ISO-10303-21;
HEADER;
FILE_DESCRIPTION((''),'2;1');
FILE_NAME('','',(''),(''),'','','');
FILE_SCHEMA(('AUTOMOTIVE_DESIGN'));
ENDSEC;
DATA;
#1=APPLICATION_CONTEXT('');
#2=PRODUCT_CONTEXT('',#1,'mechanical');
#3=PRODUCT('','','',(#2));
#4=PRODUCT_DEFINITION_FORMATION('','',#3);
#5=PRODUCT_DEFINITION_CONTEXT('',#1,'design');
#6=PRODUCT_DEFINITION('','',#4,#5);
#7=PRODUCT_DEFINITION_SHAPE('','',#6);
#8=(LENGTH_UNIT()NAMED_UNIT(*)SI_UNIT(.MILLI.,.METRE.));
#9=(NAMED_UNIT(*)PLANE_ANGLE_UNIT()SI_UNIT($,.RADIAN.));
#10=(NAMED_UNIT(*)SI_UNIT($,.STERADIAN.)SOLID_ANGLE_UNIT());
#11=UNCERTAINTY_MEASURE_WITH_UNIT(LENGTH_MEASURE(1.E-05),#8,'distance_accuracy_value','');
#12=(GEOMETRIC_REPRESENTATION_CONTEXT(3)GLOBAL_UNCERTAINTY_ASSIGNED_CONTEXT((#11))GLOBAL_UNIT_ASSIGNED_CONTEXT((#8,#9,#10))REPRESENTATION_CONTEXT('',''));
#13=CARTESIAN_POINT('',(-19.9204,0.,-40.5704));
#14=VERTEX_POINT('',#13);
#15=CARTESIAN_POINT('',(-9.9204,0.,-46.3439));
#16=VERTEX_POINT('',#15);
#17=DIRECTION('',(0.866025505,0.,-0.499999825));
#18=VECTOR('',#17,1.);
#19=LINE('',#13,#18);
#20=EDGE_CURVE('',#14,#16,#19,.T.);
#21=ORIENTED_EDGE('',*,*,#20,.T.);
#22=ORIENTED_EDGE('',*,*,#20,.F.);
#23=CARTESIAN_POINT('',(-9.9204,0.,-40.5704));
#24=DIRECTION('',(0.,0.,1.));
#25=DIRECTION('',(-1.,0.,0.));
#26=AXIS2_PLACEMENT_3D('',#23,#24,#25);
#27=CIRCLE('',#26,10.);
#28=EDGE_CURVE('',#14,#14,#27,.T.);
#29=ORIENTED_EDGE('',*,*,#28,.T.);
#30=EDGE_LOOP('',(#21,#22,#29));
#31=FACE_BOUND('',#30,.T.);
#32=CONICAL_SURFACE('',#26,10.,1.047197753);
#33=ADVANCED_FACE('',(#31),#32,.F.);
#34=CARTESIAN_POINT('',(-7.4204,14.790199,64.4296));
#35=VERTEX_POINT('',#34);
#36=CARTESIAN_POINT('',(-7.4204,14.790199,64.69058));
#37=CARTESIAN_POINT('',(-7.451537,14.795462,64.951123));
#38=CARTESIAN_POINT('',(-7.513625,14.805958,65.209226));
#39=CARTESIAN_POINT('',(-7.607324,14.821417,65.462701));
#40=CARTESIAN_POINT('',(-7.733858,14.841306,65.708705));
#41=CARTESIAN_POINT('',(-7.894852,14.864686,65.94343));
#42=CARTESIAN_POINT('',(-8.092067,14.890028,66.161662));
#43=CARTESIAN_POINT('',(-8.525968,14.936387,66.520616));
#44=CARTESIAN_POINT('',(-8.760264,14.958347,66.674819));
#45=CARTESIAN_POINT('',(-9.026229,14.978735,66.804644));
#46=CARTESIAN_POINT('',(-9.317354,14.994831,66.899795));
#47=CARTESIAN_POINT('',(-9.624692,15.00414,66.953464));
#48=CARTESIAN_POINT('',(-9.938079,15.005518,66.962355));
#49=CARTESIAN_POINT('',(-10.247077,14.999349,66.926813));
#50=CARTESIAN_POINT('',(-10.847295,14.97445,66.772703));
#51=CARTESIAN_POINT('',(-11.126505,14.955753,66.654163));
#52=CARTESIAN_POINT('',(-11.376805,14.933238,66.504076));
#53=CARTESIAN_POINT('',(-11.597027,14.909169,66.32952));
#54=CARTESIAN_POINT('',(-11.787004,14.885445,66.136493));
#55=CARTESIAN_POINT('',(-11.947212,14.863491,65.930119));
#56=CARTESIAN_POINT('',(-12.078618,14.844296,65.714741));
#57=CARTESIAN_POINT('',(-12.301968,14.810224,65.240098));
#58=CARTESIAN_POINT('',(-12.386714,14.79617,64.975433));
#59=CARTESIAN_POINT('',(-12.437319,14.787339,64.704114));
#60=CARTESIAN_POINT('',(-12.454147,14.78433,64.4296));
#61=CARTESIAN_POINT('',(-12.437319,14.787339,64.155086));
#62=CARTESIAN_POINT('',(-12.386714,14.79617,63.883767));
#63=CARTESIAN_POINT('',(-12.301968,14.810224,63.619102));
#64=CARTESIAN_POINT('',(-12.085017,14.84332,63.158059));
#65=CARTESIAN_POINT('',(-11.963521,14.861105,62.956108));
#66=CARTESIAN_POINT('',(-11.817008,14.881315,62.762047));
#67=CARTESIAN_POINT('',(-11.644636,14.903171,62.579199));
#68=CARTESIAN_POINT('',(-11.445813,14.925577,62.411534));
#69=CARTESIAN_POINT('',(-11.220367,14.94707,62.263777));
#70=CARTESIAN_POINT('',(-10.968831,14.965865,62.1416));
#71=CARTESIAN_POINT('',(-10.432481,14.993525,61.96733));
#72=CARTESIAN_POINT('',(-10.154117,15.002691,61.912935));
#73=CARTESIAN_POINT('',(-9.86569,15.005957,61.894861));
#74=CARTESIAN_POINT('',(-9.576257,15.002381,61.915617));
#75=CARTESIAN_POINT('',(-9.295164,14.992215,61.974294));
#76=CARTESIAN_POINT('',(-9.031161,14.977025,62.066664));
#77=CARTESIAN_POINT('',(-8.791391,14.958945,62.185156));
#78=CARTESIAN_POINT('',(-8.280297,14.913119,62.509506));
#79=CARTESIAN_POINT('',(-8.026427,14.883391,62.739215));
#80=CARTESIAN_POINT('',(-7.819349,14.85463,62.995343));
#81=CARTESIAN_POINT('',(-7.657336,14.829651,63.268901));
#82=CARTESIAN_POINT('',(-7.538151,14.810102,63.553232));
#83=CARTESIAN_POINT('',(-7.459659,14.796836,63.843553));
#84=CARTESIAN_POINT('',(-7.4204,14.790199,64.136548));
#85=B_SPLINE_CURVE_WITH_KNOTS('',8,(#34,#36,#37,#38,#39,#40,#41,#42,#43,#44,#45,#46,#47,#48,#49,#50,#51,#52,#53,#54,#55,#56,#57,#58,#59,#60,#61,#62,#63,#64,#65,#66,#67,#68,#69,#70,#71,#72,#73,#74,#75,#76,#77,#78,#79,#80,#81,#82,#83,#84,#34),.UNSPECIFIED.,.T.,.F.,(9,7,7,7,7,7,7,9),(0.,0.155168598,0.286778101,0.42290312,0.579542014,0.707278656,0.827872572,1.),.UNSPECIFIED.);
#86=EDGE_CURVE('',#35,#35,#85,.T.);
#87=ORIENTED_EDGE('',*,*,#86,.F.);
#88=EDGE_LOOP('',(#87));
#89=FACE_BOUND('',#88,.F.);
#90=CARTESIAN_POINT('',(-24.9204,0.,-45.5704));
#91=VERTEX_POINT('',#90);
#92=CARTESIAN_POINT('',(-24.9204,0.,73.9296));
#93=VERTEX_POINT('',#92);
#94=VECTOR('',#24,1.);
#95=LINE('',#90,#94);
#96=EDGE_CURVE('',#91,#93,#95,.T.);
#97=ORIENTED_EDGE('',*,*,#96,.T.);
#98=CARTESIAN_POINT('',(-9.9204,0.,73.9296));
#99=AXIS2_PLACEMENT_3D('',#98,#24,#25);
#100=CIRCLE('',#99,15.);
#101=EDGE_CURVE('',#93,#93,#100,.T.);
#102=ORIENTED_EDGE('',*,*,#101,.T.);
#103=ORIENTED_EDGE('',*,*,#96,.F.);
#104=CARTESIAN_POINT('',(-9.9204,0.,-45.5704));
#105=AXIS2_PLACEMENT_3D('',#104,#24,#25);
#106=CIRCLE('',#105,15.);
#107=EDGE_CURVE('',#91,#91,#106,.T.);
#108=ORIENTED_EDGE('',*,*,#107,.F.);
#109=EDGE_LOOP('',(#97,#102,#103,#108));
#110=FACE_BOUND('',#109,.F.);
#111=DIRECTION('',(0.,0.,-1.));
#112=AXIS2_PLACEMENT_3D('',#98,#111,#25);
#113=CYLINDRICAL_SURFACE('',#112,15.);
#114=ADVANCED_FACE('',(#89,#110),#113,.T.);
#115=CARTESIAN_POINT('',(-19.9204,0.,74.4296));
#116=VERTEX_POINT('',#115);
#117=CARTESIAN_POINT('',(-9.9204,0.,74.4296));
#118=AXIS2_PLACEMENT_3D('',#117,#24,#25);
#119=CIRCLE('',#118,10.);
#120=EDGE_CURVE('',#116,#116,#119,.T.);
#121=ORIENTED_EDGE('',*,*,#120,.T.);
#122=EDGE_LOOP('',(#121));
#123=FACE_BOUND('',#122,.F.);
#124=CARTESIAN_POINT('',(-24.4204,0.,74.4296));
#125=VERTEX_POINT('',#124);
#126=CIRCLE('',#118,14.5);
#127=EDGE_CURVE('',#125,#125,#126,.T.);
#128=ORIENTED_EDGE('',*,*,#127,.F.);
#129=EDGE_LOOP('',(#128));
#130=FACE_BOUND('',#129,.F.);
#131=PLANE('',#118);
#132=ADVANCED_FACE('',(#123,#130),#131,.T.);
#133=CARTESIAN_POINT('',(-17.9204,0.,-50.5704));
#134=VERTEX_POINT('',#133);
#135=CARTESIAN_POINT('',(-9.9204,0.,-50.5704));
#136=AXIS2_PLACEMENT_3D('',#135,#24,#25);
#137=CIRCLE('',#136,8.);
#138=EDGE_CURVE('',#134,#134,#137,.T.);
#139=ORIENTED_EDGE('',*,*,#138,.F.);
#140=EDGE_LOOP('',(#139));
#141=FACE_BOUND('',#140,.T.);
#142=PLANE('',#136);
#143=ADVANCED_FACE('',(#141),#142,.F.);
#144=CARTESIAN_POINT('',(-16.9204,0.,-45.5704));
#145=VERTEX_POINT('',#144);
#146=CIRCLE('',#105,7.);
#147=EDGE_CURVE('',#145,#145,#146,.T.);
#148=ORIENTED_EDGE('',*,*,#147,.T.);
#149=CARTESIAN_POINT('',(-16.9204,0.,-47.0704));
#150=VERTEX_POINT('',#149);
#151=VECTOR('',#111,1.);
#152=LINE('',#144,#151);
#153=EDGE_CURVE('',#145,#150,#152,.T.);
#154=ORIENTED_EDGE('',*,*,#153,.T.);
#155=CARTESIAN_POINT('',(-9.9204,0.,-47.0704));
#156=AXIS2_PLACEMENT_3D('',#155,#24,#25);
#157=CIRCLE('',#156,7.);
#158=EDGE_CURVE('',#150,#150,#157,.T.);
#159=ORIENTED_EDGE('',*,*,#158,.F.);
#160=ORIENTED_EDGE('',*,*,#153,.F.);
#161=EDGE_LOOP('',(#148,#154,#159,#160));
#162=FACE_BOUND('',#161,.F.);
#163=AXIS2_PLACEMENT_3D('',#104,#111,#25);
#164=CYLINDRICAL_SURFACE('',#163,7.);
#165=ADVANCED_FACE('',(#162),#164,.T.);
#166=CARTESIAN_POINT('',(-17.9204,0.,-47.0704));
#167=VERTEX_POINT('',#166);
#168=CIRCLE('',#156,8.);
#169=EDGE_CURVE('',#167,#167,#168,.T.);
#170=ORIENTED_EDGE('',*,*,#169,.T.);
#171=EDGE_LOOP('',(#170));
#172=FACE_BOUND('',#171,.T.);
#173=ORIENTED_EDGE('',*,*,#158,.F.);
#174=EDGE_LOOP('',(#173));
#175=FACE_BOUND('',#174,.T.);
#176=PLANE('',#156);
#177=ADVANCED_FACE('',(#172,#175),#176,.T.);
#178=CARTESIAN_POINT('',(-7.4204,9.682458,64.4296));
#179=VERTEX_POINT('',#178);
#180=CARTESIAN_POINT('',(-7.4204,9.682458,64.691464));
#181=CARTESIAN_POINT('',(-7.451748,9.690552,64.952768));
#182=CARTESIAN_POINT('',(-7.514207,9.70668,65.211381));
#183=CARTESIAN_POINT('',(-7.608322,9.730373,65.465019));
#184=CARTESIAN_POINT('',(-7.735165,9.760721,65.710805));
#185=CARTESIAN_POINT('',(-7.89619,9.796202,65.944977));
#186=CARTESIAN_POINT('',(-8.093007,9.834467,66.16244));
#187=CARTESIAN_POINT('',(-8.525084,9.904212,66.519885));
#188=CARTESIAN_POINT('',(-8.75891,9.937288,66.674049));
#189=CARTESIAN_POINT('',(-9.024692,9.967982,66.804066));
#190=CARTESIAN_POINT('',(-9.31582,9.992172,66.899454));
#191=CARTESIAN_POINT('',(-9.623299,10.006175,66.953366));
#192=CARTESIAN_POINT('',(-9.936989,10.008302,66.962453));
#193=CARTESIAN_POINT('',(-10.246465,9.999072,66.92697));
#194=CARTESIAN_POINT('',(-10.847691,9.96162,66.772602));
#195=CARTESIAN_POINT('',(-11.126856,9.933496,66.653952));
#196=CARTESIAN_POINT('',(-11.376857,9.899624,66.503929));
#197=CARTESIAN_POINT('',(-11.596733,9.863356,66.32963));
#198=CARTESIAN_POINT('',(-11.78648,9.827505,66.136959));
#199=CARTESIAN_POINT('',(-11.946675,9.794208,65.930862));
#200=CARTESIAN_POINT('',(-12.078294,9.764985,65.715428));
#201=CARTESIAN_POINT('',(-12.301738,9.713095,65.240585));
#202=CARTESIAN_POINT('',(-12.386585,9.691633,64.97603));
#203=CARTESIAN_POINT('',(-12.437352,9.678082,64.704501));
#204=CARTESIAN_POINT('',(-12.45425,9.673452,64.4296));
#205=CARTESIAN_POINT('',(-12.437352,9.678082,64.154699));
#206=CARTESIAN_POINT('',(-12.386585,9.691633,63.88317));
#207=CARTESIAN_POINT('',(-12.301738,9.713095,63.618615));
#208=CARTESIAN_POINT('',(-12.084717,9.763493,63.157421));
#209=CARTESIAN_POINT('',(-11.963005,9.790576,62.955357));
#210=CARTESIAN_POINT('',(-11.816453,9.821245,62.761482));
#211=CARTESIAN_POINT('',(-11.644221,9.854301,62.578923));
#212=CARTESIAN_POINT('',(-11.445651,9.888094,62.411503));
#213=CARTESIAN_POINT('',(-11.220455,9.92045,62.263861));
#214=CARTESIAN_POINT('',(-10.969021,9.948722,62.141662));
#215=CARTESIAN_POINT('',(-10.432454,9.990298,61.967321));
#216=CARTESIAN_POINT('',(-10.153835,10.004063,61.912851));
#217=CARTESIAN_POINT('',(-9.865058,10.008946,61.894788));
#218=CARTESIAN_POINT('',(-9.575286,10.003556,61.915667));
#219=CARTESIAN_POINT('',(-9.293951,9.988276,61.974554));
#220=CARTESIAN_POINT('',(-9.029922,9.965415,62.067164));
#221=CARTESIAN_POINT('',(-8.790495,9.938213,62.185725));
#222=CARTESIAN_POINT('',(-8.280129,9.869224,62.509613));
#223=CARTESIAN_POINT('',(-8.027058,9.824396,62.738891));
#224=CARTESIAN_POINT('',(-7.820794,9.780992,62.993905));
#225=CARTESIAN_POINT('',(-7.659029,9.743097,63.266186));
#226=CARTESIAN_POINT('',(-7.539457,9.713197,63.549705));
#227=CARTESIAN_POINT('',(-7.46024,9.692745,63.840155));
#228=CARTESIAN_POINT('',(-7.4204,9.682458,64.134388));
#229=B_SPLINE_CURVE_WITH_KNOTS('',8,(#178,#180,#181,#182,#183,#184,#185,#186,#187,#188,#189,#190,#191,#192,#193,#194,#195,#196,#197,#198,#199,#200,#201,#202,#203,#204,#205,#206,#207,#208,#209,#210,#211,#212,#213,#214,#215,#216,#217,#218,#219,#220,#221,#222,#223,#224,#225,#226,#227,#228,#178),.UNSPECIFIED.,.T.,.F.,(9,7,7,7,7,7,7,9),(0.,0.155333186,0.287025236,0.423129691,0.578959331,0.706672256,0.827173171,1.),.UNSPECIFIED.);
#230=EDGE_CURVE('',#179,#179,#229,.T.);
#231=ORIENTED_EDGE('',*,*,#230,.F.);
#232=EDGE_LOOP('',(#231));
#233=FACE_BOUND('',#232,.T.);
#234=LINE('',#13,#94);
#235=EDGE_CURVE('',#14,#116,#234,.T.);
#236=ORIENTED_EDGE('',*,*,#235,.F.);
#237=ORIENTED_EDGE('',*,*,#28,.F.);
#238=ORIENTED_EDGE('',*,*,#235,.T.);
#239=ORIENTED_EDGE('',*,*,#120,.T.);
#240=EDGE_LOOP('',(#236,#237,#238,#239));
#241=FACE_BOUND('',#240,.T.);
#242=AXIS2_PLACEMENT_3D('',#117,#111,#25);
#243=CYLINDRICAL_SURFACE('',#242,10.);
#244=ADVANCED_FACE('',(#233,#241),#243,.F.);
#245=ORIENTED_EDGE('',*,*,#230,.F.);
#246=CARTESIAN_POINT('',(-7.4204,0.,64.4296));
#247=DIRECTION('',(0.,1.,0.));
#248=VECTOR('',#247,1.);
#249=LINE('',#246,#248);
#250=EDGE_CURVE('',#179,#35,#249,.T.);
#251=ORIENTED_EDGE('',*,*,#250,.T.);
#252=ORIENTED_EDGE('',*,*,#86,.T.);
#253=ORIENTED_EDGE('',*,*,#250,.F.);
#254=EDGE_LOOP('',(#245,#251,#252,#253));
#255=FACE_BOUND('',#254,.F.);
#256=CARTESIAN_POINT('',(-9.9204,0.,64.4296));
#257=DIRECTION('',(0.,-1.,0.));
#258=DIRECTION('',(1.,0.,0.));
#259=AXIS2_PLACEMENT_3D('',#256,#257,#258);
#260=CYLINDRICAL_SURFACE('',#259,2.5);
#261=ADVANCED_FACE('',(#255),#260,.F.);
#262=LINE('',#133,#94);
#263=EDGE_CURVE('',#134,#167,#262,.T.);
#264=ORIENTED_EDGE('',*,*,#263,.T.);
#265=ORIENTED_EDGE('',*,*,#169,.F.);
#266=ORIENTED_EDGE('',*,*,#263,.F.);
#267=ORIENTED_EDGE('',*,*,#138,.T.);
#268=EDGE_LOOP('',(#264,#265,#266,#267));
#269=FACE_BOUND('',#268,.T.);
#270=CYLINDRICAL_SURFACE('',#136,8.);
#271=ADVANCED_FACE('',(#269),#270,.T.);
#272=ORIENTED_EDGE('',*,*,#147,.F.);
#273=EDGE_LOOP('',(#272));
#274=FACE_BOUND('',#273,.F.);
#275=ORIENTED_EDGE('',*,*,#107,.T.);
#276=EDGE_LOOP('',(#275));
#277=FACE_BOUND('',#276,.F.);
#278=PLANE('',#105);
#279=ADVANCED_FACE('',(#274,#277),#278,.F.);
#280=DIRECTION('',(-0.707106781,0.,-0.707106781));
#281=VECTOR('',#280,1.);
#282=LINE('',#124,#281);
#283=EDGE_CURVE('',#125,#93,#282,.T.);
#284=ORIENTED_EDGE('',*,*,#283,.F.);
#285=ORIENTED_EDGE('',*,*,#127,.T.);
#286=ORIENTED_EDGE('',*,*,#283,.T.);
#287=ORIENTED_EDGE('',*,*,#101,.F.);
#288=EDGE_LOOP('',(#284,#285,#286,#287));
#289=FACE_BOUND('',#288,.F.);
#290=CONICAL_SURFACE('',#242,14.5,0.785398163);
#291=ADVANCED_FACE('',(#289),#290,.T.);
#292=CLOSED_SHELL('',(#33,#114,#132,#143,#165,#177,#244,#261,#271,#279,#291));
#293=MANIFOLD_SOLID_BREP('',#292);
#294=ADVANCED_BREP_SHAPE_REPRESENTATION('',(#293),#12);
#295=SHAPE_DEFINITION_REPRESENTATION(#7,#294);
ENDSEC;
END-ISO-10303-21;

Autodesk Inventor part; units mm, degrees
ref_plane "YZ Plane" through (0, 0, 0) normal (1, 0, 0) x (0, 1, 0)
ref_plane "XZ Plane" through (0, 0, 0) normal (0, 1, 0) x (-1, 0, 0)
ref_plane "XY Plane" through (0, 0, 0) normal (0, 0, 1) x (1, 0, 0)
sketch "スケッチ1" plane through (0, 0, 0) normal (0, 1, 0) x (-1, 0, 0)
  line L0 (-5.0796, -45.5704) -> (-5.0796, 73.9296)
  line L1 (-5.0796, 73.9296) -> (-4.5796, 74.4296)
  line L2 (-4.5796, 74.4296) -> (24.4204, 74.4296)
  line L3 (24.4204, 74.4296) -> (24.9204, 73.9296)
  line L4 (24.9204, 73.9296) -> (24.9204, -45.5704)
  line L5 (24.9204, -45.5704) -> (-5.0796, -45.5704)
  line L6 (1.9204, -47.0704) -> (1.9204, -50.5704)
  line L7 (1.9204, -50.5704) -> (17.9204, -50.5704)
  line L8 (17.9204, -50.5704) -> (17.9204, -47.0704)
  line L9 (17.9204, -47.0704) -> (1.9204, -47.0704)
  line L10 (2.9204, -47.0704) -> (2.9204, -45.5704)
  line L11 (16.9204, -45.5704) -> (16.9204, -47.0704)
  line L12 (31.4204, 56.4296) -> (30.9204, 56.9296)
  line L13 (30.9204, 56.9296) -> (30.9204, 71.9296)
  line L14 (30.9204, 71.9296) -> (31.4204, 72.4296)
  line L15 (31.4204, 72.4296) -> (38.4204, 72.4296)
  line L16 (38.4204, 72.4296) -> (38.9204, 71.9296)
  line L17 (38.9204, 71.9296) -> (38.9204, 56.9296)
  line L18 (38.9204, 56.9296) -> (38.4204, 56.4296)
  line L19 (38.4204, 56.4296) -> (31.4204, 56.4296)
  line L20 (31.4204, 56.4296) -> (31.4204, 72.4296)
  line L21 (30.9204, 70.4296) -> (27.9204, 70.4296)
  line L22 (27.9204, 70.4296) -> (27.9204, 58.4296)
  line L23 (27.9204, 58.4296) -> (30.9204, 58.4296)
  line L24 (38.4204, 56.4296) -> (38.4204, 72.4296)
  line L25 (27.9204, 66.9296) -> (24.9204, 66.9296)
  line L26 (27.4204, 66.9296) -> (27.4204, 61.9296)
  line L27 (27.9204, 61.9296) -> (24.9204, 61.9296)
  line L28 (24.9204, 73.9296) -> (-5.0796, 73.9296)
  line L29 (-5.0796, 97.1797) -> (24.9204, 97.1797)
  line L30 (24.9204, 97.1797) -> (24.9204, 105.1797)
  line L31 (24.9204, 105.1797) -> (-5.0796, 105.1797)
  line L32 (-5.0796, 105.1797) -> (-5.0796, 97.1797)
  line L33 (24.9204, 99.1797) -> (27.9204, 99.1797)
  line L34 (27.2723, 99.1797) -> (27.2723, 103.1797)
  line L35 (27.9204, 103.1797) -> (24.9204, 103.1797)
  line L36 (27.9204, 105.6797) -> (27.9204, 96.6797)
  line L37 (27.9204, 96.6797) -> (28.4204, 96.1797)
  line L38 (28.4204, 96.1797) -> (32.4204, 96.1797)
  line L39 (32.4204, 96.1797) -> (32.9204, 96.6797)
  line L40 (32.9204, 96.6797) -> (32.9204, 105.6797)
  line L41 (32.9204, 105.6797) -> (32.4204, 106.1797)
  line L42 (32.4204, 106.1797) -> (28.4204, 106.1797)
  line L43 (28.4204, 106.1797) -> (27.9204, 105.6797)
  line L44 (28.4204, 106.1797) -> (28.4204, 96.1797)
  line L45 (32.4204, 96.1797) -> (32.4204, 106.1797)
  line L46 (2.4204, -50.5704) -> (2.4204, -47.0704)
  line L47 (-0.0796, -40.5704) -> (-0.0796, 74.4296)
  line L48 (19.9204, 74.4296) -> (19.9204, -40.5704)
  line L49 (19.9204, -40.5704) -> (9.9204, -46.3439)
  line L50 (9.9204, -46.3439) -> (-0.0796, -40.5704)
  line L51 (-0.0796, -40.5704) -> (19.9204, -40.5704)
  line L52 (17.4204, -47.0704) -> (17.4204, -50.5704)
  line L53 (9.9204, -56.5156) -> (9.9204, 78.76)
  line L54 (9.9204, 93.5864) -> (9.9204, 108.5157)
  line L55 (19.9204, 105.1797) -> (19.9204, 97.1797)
  line L56 (22.5096, 101.1797) -> (35.2156, 101.1797)
  line L57 (27.9204, 103.1797) -> (27.2723, 102.4797)
  line L58 (27.2723, 102.4797) -> (24.9204, 102.4797)
  line L59 (24.9204, 99.8797) -> (27.2723, 99.8797)
  line L60 (27.2723, 99.8797) -> (27.9204, 99.1797)
  line L61 (-0.0796, 97.1797) -> (-0.0796, 105.1797)
  line L62 (24.9204, 66.2296) -> (27.4204, 66.2296)
  line L63 (27.4204, 66.2296) -> (27.9204, 66.9296)
  line L64 (27.4204, 62.6296) -> (27.9204, 61.9296)
  line L65 (27.4204, 62.6296) -> (24.9204, 62.6296)
  line L66 (22.6428, 64.4296) -> (42.5049, 64.4296)
  line L67 (32.2954, 71.4296) -> (38.4204, 71.4296)
  line L68 (33.1704, 70.4296) -> (38.4204, 70.4296)
  line L69 (34.0454, 69.4296) -> (38.4204, 69.4296)
  line L70 (34.9204, 68.4296) -> (38.4204, 68.4296)
  line L71 (35.7954, 67.4296) -> (38.4204, 67.4296)
  line L72 (36.6704, 66.4296) -> (38.4204, 66.4296)
  line L73 (37.5454, 65.4296) -> (38.4204, 65.4296)
  line L74 (29.2204, 105.1797) -> (32.4204, 105.1797)
  line L75 (30.0204, 104.1797) -> (32.4204, 104.1797)
  line L76 (30.8204, 103.1797) -> (32.4204, 103.1797)
  line L77 (31.6204, 102.1797) -> (32.4204, 102.1797)
  point P0 (0, 0)
  point P1 (52.3578, -69.094)
  point P2 (52.3578, -59.2279)
  point P3 (9.9204, 74.4296)
  point P4 (9.9204, -45.5704)
  point P5 (11.2601, -45.5704)
  point P6 (9.9204, -46.3439)
  point P7 (9.9204, -50.5704)
  point P8 (24.4204, 74.4296)
revolve "回転1" add sketch "スケッチ1" angle 360 about axis through (-9.9204, 0, -56.5156) along (0, 0, 1) contours L49 L5 L11 L9 L53 | L9 L52 L7 L53 | L48 L2 L3 L28 | L28 L4 L5 L49 L48 | L9 L8 L7 L52
sketch "スケッチ2" plane through (-9.9204, 0, 74.4296) normal (0, 0, 1) x (1, 0, 0)
  line L0 (0, 0) -> (55.7189, 0) construction
  point P0 (9.9204, 0)
ref_plane "作業平面1" through (-9.9204, 0, 74.4296) normal (0, -1, 0) x (1, 0, 0)
sketch "スケッチ3" plane through (-9.9204, 0, 74.4296) normal (0, -1, 0) x (1, 0, 0)
  line L0 (10, 0) -> (-10, 0) projected
  line L1 (0, 0) -> (0, -10) construction
  circle A0 centre (0, -10) radius 2.5
  point P0 (9.9204, -74.4296)
  dimension "d2" = 10
  dimension "d3" = 5
extrude "押し出し1" cut sketch "スケッチ3" against normal through all
thread "ねじ1" size "M5x0.8" class "6H" standard "ANSI Metric M Profile" full length
thread "ねじ2" size "M16x2" class "6g" standard "ANSI Metric M Profile" full length
properties part number "stand_base" material "UHMW、黒"
